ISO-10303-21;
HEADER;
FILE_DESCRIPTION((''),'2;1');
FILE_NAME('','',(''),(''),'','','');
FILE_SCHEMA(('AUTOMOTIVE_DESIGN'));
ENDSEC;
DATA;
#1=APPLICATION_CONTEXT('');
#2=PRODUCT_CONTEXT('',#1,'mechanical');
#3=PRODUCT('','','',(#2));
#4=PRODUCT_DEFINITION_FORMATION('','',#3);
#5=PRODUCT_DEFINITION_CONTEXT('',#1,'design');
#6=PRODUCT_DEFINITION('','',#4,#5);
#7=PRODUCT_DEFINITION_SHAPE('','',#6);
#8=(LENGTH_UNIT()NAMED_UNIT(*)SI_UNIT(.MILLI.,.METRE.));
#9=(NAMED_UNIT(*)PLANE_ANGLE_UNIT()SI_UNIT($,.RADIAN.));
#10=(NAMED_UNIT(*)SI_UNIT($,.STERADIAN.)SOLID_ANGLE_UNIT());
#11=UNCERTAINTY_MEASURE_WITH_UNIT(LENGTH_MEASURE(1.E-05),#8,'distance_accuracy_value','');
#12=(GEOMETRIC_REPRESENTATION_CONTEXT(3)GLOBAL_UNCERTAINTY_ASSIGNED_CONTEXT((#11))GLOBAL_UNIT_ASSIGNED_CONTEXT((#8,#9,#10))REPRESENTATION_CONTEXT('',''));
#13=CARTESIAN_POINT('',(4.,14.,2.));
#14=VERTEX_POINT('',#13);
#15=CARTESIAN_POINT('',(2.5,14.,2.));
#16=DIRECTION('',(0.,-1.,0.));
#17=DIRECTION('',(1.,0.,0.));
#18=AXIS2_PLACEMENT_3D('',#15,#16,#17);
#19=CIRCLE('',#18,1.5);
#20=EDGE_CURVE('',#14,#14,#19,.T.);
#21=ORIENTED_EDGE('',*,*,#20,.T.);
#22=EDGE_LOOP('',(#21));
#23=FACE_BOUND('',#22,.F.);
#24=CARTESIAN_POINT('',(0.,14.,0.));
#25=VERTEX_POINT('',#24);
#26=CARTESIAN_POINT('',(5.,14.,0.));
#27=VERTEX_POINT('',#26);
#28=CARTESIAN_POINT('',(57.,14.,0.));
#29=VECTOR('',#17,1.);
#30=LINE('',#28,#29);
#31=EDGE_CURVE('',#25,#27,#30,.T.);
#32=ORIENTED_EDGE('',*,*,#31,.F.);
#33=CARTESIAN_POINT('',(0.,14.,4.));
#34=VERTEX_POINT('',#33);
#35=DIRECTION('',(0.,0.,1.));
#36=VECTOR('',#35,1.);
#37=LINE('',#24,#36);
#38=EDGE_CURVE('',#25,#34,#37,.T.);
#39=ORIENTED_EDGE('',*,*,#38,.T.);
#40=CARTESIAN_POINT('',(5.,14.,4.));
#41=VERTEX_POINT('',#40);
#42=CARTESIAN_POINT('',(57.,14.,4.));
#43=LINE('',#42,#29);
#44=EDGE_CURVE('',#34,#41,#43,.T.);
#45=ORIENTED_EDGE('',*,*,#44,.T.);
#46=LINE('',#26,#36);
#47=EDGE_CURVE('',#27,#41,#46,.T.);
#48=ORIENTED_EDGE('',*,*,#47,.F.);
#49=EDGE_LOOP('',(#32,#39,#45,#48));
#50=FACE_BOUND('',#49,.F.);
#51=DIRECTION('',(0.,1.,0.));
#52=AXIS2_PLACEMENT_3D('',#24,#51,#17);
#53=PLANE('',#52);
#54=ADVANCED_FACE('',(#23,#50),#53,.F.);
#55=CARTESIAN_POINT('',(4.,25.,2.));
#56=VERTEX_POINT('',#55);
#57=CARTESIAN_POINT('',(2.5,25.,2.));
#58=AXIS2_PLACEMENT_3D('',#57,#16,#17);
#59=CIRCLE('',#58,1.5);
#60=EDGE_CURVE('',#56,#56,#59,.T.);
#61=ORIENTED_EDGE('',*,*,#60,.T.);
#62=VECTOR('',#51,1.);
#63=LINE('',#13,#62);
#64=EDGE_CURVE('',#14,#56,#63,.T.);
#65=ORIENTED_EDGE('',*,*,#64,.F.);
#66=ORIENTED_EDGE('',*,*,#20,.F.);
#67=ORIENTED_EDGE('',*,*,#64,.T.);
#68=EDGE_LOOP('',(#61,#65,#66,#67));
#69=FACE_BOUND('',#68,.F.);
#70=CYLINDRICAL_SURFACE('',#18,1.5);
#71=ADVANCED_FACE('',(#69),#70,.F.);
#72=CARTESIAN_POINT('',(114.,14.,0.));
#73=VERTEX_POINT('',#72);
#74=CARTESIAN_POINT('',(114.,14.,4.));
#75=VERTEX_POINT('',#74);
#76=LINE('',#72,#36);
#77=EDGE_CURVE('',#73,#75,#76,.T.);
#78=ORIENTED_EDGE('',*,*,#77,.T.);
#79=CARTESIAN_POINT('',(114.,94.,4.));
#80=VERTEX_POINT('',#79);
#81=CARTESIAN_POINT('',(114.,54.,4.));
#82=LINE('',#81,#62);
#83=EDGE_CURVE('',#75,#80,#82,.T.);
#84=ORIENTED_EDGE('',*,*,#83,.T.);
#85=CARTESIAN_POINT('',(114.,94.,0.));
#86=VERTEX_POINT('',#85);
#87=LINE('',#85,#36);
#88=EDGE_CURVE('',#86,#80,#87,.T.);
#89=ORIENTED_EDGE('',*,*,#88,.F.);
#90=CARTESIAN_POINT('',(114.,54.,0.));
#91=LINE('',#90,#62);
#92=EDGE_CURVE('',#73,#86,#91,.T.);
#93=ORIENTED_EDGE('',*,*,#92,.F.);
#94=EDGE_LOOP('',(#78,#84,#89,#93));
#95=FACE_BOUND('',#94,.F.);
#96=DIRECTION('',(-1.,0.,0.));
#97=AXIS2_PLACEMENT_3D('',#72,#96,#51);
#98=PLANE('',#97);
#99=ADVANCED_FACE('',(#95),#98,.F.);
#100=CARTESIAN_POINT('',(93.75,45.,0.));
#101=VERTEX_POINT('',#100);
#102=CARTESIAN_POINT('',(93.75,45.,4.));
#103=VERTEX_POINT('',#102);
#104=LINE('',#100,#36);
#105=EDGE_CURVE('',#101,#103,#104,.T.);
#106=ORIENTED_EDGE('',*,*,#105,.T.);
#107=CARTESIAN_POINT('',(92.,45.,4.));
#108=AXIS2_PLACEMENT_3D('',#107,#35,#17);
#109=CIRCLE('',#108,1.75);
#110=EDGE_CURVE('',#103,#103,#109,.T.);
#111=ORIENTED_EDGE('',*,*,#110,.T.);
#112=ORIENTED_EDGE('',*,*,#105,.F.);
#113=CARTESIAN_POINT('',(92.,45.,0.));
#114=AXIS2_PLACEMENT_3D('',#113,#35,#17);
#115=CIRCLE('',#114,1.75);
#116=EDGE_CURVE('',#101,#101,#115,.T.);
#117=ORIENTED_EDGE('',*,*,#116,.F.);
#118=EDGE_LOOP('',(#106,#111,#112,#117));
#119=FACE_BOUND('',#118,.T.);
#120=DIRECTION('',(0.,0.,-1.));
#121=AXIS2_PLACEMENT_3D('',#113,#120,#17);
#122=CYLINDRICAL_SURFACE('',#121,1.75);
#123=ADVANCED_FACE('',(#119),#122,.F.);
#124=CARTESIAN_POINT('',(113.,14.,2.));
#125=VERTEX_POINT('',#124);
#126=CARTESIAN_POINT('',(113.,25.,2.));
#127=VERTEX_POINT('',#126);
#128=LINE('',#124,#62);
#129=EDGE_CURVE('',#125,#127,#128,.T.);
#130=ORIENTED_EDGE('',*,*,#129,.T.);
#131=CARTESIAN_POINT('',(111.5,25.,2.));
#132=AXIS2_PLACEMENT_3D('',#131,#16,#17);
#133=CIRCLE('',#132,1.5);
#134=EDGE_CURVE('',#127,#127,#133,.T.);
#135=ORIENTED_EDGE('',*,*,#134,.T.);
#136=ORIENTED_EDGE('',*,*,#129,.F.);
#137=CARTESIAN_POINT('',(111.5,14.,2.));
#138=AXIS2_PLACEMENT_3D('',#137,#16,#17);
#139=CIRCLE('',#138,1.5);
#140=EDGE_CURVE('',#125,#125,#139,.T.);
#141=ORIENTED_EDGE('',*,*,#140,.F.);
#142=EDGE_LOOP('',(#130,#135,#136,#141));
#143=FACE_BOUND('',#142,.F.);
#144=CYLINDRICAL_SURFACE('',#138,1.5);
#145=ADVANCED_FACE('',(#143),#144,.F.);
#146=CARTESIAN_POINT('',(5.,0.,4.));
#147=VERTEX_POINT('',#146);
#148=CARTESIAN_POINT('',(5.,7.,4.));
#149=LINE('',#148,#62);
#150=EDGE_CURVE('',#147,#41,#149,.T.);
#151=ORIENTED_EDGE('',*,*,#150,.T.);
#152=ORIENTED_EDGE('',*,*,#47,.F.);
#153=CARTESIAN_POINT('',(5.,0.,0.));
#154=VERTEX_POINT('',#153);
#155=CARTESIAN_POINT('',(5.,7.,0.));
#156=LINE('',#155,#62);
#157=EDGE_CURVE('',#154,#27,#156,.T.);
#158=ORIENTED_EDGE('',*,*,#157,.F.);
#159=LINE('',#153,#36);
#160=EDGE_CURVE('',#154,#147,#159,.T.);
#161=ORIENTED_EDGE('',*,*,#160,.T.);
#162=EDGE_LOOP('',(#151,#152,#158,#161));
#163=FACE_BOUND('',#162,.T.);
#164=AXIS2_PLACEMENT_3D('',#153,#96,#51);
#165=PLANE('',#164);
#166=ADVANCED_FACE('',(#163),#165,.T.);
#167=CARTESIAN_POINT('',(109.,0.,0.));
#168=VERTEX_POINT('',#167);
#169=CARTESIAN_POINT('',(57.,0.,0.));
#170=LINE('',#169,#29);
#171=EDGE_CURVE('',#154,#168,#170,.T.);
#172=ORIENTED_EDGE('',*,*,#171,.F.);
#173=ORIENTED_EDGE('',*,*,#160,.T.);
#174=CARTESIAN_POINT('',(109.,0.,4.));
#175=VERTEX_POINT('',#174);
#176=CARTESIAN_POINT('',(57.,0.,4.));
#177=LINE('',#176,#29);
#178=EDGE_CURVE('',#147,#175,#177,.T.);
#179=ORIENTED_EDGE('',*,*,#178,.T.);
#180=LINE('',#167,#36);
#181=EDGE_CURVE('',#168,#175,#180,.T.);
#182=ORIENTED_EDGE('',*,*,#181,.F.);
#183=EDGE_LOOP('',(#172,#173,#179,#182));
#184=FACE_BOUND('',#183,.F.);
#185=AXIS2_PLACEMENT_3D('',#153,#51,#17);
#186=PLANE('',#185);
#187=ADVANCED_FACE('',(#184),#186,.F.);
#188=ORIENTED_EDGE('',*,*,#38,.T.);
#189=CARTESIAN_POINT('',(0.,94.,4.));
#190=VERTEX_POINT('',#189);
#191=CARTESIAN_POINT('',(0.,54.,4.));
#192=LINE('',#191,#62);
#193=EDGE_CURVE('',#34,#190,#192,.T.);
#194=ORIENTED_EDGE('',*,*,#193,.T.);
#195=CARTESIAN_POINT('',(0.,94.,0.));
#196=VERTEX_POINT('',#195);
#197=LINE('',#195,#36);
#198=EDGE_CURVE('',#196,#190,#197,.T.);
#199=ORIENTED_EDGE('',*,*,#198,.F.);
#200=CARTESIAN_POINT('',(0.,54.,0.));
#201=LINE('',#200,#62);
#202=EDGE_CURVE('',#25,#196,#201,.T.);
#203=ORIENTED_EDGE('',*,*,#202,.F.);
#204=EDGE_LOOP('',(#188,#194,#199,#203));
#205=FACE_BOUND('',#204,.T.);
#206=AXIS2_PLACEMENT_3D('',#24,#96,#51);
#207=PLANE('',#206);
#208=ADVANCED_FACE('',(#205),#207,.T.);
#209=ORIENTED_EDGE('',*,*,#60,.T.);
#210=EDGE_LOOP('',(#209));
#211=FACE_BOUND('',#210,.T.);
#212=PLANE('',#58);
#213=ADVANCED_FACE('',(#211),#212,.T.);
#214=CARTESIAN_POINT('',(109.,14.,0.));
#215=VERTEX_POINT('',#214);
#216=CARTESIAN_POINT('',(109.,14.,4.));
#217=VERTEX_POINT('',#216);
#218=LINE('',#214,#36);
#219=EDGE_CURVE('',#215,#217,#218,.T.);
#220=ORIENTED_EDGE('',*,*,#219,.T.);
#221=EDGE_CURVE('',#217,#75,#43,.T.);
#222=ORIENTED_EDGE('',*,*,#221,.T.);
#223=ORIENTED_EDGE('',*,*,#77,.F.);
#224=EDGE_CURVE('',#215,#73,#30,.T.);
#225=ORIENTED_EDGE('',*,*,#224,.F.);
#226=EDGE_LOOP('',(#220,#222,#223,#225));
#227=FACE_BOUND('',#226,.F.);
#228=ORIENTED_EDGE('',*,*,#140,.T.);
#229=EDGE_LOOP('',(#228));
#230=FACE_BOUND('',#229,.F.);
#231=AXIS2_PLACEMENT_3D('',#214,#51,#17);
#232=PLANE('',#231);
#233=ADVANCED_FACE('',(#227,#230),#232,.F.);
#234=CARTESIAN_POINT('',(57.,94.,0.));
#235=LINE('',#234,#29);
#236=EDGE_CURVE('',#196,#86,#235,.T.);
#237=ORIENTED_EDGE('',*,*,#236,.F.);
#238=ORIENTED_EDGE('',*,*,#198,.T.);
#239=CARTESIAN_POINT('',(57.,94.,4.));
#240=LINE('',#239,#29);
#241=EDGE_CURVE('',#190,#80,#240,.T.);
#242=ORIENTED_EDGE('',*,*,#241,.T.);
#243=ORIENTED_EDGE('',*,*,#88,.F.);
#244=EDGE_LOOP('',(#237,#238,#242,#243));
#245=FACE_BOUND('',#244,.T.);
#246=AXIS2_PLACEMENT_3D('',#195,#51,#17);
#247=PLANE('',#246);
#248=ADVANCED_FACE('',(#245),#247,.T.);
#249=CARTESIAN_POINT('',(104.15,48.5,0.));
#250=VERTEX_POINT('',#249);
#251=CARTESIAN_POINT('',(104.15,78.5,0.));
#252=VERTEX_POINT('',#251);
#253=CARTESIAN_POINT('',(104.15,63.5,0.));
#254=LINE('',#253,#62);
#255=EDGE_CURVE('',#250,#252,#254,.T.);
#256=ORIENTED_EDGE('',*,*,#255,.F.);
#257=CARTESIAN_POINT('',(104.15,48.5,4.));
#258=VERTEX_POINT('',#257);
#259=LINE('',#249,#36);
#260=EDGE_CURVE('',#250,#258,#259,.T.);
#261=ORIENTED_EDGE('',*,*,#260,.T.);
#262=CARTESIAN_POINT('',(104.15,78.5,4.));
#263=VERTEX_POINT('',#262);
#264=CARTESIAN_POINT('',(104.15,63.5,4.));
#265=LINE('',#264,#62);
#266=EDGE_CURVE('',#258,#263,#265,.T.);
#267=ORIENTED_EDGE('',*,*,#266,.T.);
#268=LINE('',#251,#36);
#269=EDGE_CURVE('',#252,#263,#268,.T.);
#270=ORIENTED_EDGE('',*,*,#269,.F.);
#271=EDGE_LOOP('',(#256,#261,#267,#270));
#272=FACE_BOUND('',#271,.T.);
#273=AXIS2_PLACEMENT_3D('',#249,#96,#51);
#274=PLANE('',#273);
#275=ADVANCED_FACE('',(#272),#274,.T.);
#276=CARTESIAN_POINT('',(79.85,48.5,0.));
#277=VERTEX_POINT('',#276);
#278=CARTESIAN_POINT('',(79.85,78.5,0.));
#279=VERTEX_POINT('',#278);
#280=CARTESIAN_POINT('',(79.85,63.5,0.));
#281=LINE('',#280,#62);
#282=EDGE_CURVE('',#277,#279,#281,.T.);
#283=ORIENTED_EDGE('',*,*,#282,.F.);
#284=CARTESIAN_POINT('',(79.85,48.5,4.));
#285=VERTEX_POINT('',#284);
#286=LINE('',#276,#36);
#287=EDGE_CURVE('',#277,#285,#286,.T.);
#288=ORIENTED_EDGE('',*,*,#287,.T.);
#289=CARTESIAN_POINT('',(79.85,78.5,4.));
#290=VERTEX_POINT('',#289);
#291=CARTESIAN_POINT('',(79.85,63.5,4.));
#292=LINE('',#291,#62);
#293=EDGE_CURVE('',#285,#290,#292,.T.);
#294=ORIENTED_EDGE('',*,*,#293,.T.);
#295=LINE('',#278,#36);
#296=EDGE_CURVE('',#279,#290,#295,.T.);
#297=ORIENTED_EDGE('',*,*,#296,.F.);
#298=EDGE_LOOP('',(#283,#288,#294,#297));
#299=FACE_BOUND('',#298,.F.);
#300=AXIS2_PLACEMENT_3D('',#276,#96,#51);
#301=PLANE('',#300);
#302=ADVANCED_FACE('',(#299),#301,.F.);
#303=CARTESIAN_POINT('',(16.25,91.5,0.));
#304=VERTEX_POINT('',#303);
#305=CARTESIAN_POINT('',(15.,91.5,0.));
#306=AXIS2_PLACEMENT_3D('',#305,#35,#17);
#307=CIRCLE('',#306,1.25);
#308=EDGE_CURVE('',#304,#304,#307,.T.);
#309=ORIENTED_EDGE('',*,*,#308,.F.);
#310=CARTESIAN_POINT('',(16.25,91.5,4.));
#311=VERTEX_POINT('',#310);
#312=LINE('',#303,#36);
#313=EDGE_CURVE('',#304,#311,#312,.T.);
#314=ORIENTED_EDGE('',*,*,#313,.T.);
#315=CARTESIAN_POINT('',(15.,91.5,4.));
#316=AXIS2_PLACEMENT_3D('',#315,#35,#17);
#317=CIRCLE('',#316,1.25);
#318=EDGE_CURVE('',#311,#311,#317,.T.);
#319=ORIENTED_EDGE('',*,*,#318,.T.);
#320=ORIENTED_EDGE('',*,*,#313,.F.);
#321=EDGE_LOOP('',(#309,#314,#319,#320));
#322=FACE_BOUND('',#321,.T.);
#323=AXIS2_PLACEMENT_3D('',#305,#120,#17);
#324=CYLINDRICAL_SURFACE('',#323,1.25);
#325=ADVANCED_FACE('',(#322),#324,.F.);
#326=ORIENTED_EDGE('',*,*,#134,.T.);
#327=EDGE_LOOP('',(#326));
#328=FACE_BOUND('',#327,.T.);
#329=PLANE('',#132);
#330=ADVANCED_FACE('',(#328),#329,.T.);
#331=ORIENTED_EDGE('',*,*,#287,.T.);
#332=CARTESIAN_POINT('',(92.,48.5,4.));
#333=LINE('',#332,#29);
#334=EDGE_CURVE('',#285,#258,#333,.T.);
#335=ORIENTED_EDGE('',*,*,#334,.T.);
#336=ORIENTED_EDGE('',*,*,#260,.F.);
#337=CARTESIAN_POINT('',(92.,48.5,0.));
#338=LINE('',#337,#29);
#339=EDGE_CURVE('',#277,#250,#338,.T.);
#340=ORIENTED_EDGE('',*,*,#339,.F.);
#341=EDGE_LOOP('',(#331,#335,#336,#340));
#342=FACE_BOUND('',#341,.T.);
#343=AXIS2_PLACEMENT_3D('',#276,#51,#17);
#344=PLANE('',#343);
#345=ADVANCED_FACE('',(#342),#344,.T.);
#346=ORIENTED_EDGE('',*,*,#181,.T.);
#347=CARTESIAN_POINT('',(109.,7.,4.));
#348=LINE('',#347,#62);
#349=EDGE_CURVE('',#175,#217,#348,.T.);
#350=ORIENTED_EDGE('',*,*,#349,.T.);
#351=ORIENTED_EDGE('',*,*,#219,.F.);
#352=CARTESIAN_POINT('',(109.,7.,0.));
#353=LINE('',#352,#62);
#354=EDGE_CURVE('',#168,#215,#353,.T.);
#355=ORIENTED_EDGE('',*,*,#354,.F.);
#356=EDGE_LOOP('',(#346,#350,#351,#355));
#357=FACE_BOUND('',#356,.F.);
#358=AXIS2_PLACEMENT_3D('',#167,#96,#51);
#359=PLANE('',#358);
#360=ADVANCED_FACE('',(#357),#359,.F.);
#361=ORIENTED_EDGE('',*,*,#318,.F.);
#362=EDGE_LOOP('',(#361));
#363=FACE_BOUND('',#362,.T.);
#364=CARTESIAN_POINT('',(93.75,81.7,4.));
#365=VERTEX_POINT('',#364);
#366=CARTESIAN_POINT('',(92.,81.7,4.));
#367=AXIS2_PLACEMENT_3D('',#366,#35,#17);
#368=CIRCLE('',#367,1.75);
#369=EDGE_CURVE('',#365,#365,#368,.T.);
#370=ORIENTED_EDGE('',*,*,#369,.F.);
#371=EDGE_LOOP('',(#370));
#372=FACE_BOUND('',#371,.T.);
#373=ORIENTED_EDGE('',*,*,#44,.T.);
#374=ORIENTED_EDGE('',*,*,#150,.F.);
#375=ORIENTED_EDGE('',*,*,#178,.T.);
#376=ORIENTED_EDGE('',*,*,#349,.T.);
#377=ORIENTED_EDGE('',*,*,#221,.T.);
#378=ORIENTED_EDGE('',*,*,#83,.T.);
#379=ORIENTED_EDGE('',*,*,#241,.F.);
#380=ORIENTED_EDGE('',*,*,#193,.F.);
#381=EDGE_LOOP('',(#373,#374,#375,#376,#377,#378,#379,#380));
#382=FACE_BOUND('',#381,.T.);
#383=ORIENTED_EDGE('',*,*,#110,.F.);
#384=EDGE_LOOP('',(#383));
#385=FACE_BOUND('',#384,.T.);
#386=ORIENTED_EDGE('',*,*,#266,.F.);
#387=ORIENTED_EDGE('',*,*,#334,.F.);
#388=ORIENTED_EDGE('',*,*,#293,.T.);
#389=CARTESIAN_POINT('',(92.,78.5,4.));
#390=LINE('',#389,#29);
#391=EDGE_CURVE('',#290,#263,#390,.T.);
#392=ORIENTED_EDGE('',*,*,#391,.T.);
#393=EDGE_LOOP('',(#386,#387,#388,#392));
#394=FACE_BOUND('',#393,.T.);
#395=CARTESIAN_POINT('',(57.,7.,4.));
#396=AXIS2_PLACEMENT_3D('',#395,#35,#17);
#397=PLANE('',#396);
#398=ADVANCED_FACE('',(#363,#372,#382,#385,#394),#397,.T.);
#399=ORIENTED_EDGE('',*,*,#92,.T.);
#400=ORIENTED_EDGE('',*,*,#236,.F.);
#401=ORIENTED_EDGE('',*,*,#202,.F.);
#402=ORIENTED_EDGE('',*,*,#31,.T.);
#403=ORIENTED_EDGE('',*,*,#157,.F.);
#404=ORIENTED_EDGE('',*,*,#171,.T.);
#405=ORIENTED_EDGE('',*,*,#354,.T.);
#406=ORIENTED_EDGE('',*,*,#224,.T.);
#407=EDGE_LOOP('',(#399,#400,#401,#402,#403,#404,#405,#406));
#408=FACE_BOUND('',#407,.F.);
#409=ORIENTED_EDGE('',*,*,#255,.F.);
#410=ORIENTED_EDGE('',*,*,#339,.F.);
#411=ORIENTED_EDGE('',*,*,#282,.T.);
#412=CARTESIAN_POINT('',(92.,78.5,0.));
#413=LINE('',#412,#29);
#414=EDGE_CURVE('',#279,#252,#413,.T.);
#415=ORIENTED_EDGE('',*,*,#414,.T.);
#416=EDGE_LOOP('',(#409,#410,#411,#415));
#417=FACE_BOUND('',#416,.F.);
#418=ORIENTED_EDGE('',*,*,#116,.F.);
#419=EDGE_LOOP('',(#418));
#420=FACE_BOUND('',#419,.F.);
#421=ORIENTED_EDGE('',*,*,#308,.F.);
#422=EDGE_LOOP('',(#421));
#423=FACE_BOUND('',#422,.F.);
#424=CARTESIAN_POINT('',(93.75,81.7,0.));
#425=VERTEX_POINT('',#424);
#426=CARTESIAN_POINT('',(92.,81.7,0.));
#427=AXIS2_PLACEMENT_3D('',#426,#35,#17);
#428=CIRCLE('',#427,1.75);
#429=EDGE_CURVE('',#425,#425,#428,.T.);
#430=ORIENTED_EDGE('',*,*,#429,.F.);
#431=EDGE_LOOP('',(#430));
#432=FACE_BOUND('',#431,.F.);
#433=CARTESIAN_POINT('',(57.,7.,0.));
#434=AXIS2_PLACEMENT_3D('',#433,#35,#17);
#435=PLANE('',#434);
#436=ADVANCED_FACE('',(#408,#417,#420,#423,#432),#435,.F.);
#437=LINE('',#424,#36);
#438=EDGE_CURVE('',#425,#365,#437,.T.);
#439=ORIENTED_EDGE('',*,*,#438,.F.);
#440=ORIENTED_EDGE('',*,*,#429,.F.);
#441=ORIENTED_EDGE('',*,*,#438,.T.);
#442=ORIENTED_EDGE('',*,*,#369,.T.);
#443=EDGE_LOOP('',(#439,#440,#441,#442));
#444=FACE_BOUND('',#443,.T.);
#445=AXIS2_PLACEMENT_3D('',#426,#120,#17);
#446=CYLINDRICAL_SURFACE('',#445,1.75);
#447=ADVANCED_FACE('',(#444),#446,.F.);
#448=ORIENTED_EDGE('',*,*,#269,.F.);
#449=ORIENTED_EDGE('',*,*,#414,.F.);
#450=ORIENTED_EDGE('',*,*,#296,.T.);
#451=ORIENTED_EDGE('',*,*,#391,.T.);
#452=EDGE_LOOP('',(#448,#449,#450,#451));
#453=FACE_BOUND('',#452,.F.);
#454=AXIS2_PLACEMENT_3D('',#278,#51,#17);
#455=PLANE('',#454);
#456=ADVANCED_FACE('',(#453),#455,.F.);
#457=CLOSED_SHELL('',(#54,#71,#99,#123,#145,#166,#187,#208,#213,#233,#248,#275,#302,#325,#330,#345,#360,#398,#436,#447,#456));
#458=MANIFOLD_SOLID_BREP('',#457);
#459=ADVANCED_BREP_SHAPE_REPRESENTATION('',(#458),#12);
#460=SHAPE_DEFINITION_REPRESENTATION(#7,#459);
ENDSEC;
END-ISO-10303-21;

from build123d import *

# Parameters (mm, degrees)
SKETCH207_W     = 104
SKETCH207_H     = 14
SKETCH207_W_2   = 114
SKETCH207_H_2   = 80
SKETCH207_R     = 1.75
SKETCH207_R_2   = 1.25
SKETCH207_W_3   = 24.3
SKETCH207_H_3   = 30
PAD103_DEPTH    = 4
SKETCH208_R     = 1.5
POCKET120_DEPTH = 11


with BuildPart() as part:
    # Sketch207 → Pad103 (new body)
    with BuildSketch(Plane.XY):
        with Locations((57, 7)):
            Rectangle(SKETCH207_W, SKETCH207_H)
        with Locations((57, 54)):
            Rectangle(SKETCH207_W_2, SKETCH207_H_2)
        with Locations((92, 45)):
            Circle(SKETCH207_R, mode=Mode.SUBTRACT)
        with Locations((92, 81.7)):
            Circle(SKETCH207_R, mode=Mode.SUBTRACT)
        with Locations((15, 91.5)):
            Circle(SKETCH207_R_2, mode=Mode.SUBTRACT)
        with Locations((92, 63.5)):
            Rectangle(SKETCH207_W_3, SKETCH207_H_3, mode=Mode.SUBTRACT)
    extrude(amount=PAD103_DEPTH)

    # Sketch208 (on Face2 of Pad103) → Pocket120 (cut)
    with BuildSketch(Plane.XZ.offset(-14)):
        with Locations((2.5, 2)):
            Circle(SKETCH208_R)
        with Locations((111.5, 2)):
            Circle(SKETCH208_R)
    extrude(amount=-POCKET120_DEPTH, mode=Mode.SUBTRACT)


solid = part.part
